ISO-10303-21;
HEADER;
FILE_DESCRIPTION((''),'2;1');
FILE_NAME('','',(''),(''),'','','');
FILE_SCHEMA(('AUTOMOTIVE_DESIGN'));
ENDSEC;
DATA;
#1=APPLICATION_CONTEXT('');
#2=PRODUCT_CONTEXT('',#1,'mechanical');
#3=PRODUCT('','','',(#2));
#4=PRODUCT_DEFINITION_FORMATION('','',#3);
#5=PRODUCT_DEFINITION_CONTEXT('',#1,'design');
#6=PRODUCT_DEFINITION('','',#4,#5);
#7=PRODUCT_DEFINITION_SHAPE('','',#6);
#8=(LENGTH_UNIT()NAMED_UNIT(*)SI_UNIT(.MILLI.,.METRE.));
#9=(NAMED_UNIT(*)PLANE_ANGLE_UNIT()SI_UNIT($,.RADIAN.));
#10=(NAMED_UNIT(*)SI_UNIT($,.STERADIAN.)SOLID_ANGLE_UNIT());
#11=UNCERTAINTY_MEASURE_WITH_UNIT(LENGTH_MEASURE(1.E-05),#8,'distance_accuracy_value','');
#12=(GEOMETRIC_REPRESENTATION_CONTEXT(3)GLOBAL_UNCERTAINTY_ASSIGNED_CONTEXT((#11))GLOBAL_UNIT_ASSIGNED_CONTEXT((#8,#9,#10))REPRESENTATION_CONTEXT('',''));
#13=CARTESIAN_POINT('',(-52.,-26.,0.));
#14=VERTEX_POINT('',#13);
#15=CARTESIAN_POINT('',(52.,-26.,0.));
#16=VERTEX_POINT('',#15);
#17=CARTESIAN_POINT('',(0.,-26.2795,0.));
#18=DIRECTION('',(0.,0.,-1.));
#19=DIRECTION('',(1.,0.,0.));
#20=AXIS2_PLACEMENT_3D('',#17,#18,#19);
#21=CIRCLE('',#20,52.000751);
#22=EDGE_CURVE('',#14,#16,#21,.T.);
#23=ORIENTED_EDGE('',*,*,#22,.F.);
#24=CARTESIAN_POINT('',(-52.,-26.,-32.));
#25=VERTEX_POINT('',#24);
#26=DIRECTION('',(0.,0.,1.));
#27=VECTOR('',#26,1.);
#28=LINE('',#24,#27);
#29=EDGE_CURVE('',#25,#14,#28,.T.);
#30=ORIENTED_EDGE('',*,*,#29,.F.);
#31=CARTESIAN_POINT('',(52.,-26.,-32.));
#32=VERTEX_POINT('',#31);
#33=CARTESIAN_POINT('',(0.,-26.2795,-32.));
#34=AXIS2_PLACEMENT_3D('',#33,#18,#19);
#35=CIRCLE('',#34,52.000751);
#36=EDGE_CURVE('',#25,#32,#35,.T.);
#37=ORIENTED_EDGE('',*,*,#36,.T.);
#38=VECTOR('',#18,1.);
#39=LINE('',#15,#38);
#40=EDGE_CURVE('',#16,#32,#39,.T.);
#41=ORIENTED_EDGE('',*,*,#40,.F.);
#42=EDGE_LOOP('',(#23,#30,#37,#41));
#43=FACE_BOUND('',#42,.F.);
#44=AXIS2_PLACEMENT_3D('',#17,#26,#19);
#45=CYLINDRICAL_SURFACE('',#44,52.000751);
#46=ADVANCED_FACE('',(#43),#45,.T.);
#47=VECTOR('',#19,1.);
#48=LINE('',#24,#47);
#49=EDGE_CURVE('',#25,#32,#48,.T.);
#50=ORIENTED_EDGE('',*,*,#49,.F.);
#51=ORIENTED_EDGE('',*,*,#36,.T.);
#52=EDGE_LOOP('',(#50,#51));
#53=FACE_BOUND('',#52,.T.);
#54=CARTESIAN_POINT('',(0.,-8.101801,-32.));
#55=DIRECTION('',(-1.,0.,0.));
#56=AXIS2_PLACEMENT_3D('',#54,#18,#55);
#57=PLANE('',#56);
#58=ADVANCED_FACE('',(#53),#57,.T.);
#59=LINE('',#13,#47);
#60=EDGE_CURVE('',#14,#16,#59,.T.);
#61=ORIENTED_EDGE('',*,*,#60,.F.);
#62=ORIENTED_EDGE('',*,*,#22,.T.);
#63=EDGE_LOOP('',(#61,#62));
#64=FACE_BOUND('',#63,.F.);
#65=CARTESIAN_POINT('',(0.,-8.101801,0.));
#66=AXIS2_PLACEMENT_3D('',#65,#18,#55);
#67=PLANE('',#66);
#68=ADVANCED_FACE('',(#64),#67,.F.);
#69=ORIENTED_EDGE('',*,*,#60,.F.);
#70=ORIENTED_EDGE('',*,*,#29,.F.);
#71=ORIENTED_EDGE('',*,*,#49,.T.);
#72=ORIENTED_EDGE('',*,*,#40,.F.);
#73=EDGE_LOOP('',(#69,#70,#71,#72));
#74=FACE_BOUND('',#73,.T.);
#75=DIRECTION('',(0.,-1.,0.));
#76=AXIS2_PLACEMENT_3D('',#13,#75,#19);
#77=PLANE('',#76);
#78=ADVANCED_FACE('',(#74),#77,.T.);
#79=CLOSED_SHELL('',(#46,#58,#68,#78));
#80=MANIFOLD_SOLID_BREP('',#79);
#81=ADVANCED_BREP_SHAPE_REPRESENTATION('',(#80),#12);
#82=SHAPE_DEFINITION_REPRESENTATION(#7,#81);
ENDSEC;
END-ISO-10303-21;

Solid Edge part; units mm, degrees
sketch "Sketch1" plane through (0, 0, 0) normal (0, 0, 1) x (1, 0, 0)
  arc A0 (-52, -26) -> (52, -26) centre (0, -26.2795) cw
  line L0 (-52, -26) -> (52, -26)
extrude "Protrusion1" add sketch "Sketch1" against normal blind 32
sketch "Sketch2" plane through (0, -0.1394, 0) normal (0, 0, 1) x (1, 0, 0)
  line L0 (-55.74, -28.2911) -> (55.74, -28.2911)
  line L1 (55.74, -28.2911) -> (55.74, 28.5699)
  line L2 (55.74, 28.5699) -> (-55.74, 28.5699)
  line L3 (-55.74, 28.5699) -> (-55.74, -28.2911)
extrude "Recorte_Extrudado_2" cut sketch "Sketch2" against normal blind 16.3
sketch "Sketch3" plane through (0, -0.1394, -16.3) normal (0, 0, 1) x (1, 0, 0)
  arc A0 (-52, -25.8606) -> (52, -25.8606) centre (0, -26.1401) cw
  line L0 (-52, -25.8606) -> (52, -25.8606)
extrude "Protrusão_Extrudada_6" add sketch "Sketch3" along normal blind 16.3
